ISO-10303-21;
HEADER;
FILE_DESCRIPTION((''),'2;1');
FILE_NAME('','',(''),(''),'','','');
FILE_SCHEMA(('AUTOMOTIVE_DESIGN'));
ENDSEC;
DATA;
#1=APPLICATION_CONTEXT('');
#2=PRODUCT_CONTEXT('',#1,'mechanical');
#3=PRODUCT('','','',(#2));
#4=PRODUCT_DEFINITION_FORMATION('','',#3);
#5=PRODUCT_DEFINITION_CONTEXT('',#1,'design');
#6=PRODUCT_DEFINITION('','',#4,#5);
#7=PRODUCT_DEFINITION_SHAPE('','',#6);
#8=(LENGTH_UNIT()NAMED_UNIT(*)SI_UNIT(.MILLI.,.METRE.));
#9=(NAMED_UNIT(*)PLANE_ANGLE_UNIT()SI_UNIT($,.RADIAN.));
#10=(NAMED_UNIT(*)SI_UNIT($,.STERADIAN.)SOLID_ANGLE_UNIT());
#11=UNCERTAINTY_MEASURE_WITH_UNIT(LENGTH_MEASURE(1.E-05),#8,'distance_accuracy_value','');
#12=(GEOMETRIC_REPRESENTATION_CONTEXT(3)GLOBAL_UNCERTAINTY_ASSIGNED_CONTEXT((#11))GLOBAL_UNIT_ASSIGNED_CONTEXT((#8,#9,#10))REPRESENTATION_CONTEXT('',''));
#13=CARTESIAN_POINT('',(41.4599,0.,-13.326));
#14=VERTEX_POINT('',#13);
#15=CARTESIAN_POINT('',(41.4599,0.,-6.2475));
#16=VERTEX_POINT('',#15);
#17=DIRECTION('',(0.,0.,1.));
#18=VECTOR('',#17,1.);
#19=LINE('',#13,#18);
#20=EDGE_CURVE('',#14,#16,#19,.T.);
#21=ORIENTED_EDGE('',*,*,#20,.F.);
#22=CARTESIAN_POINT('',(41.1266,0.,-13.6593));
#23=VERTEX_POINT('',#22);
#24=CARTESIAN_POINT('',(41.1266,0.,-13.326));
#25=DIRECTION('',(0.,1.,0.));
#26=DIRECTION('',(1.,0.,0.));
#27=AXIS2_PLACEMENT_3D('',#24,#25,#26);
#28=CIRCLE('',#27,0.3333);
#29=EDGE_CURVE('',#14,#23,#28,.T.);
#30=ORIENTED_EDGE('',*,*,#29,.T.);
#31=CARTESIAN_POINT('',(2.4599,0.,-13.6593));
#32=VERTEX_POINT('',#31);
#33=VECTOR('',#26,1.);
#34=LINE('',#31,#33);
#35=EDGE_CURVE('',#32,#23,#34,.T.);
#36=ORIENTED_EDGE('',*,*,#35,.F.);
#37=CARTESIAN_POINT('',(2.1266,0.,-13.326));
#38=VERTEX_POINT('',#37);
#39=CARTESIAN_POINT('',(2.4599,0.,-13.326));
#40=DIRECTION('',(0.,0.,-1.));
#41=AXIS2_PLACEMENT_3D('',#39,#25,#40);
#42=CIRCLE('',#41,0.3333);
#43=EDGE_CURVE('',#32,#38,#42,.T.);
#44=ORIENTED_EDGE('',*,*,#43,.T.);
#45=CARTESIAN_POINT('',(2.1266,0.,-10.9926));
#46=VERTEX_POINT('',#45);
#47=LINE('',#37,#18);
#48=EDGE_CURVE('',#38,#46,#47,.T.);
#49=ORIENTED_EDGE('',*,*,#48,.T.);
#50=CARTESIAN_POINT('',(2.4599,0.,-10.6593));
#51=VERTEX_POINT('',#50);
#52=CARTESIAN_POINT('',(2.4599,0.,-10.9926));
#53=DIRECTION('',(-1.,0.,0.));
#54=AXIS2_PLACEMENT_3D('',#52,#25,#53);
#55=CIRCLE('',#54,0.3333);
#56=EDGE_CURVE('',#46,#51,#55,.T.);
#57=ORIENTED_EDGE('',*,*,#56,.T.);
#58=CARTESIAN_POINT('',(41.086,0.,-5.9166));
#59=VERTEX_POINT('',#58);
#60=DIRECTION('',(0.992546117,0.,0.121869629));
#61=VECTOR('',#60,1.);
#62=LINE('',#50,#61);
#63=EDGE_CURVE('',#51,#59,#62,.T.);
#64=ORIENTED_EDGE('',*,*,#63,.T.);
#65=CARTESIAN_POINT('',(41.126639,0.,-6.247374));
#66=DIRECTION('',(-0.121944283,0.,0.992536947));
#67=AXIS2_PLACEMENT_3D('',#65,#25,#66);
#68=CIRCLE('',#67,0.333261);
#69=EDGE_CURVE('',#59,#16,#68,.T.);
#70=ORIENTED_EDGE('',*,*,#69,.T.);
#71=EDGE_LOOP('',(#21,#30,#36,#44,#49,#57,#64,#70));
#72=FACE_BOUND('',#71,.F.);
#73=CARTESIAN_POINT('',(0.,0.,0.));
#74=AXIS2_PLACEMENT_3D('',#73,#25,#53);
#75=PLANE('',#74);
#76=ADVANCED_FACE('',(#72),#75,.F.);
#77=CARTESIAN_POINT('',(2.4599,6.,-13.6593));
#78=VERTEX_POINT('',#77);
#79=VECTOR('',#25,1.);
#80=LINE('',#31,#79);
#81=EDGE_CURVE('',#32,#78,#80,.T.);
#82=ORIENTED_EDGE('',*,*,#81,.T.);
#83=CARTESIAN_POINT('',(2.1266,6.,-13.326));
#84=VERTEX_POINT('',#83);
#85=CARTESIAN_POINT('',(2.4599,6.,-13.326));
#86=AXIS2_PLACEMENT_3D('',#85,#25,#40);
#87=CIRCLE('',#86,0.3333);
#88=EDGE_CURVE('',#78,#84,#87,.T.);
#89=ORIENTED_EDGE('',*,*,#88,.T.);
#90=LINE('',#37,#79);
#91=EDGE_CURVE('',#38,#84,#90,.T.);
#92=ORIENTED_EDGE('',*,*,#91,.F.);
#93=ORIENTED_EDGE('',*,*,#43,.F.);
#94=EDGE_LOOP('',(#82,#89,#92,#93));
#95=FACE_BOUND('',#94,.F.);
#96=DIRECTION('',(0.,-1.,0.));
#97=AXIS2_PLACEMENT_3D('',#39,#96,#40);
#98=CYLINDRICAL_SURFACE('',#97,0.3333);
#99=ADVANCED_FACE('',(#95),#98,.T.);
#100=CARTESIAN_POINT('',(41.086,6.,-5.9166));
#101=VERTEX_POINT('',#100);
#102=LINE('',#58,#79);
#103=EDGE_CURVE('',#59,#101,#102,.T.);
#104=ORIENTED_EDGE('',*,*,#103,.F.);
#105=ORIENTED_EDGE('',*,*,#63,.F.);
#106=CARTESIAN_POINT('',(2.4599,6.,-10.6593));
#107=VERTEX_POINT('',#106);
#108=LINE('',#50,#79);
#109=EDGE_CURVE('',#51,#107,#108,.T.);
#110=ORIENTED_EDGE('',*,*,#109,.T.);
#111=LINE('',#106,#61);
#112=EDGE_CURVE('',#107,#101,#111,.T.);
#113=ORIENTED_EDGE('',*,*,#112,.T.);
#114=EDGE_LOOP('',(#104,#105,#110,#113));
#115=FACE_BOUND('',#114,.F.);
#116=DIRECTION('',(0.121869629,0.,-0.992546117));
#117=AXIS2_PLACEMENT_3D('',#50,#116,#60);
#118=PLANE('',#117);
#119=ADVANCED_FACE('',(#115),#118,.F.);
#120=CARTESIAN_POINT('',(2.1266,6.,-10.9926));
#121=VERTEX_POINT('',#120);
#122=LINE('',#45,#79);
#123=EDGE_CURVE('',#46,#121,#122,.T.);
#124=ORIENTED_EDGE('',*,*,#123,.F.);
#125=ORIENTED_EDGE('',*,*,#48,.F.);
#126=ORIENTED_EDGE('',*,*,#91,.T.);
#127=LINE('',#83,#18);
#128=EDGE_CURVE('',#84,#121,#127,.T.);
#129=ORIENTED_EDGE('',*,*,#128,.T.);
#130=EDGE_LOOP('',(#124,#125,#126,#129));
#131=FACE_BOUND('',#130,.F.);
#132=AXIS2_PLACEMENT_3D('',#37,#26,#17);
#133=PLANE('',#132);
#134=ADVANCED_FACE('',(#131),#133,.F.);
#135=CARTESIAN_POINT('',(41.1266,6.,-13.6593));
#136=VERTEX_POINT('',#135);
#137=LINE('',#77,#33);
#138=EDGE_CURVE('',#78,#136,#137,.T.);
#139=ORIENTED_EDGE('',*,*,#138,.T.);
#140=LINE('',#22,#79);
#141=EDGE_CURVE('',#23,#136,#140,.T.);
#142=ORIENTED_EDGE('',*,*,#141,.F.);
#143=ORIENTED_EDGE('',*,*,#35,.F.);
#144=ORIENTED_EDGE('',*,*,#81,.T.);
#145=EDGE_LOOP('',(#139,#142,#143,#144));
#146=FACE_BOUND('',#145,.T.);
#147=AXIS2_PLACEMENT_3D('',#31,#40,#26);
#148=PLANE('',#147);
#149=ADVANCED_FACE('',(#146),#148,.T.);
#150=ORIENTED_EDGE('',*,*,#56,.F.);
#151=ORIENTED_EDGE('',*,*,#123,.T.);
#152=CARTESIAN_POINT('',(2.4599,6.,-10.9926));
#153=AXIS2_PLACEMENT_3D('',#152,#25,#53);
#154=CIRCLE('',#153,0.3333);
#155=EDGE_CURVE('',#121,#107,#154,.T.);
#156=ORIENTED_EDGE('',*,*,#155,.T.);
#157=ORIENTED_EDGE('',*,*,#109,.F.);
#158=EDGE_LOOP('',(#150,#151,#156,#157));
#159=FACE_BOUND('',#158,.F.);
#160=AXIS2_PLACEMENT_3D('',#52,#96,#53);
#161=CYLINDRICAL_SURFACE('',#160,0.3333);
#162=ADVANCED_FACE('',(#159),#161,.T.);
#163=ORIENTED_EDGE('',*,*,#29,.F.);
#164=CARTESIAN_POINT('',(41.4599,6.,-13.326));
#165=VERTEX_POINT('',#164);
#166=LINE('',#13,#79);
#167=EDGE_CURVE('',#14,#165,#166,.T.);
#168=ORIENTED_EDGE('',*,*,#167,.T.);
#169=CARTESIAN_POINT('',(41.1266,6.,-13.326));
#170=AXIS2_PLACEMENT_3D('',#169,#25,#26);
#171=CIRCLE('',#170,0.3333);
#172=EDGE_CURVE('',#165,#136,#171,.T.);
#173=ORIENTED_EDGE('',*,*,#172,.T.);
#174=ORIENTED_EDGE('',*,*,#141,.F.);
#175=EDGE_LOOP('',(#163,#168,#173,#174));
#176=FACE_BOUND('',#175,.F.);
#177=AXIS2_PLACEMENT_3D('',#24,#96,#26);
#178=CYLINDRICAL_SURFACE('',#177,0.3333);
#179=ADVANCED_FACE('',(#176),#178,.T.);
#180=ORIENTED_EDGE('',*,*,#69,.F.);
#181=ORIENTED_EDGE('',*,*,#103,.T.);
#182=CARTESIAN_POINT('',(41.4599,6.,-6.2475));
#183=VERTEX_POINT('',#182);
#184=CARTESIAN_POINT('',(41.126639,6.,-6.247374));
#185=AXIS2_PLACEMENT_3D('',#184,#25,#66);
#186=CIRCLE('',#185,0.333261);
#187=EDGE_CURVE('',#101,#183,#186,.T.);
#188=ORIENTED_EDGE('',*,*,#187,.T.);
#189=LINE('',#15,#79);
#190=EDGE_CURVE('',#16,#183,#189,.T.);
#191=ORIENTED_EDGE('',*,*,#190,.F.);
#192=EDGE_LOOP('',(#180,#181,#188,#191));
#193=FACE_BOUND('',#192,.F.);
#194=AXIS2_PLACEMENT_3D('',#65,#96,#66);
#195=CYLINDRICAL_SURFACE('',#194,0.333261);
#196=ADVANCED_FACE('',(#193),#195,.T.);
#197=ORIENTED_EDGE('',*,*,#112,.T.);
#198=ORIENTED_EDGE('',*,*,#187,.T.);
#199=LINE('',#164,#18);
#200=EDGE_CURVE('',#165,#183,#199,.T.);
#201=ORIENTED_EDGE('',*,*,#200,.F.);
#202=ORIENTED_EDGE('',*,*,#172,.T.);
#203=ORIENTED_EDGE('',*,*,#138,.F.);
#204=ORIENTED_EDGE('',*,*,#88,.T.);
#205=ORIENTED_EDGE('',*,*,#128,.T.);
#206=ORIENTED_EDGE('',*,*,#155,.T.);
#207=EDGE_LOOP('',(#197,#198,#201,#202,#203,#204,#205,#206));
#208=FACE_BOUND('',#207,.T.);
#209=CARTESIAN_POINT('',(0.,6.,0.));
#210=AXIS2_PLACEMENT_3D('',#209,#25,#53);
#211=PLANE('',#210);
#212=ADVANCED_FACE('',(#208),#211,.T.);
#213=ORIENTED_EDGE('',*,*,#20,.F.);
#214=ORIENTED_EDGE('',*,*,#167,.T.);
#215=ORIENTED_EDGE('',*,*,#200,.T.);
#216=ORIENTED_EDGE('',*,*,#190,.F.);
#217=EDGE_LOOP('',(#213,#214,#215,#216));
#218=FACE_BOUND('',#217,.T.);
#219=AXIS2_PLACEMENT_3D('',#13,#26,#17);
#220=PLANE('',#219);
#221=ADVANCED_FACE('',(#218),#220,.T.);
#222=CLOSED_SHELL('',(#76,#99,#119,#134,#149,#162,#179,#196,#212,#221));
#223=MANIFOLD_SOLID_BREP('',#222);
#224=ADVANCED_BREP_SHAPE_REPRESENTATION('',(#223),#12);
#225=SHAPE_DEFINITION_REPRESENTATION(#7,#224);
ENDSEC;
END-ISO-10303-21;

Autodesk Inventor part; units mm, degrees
ref_plane "YZ Plane" through (0, 0, 0) normal (1, 0, 0) x (0, 1, 0)
ref_plane "XZ Plane" through (0, 0, 0) normal (0, 1, 0) x (-1, 0, 0)
ref_plane "XY Plane" through (0, 0, 0) normal (0, 0, 1) x (1, 0, 0)
sketch "Sketch1" plane through (0, 0, 0) normal (0, 1, 0) x (-1, 0, 0)
  line L0 (-2.4599, -13.6593) -> (-41.1266, -13.6593)
  arc A0 (-41.4599, -13.326) -> (-41.1266, -13.6593) centre (-41.1266, -13.326) ccw
  arc A1 (-2.4599, -13.6593) -> (-2.1266, -13.326) centre (-2.4599, -13.326) ccw
  line L1 (-2.1266, -13.326) -> (-2.1266, -10.9926)
  arc A2 (-2.1266, -10.9926) -> (-2.4599, -10.6593) centre (-2.4599, -10.9926) ccw
  line L2 (-2.4599, -10.6593) -> (-41.086, -5.9166)
  arc A3 (-41.086, -5.9166) -> (-41.4599, -6.2475) centre (-41.1266, -6.2475) ccw
  line L3 (-41.4599, -13.326) -> (-41.4599, -6.2475)
  point P0 (0, 0)
  dimension "d0" = 38.6667
  dimension "d1" = 0.6667
  dimension "d2" = 0.6667
  dimension "d4" = 0.6667
  dimension "d5" = 2.6667
  dimension "d6" = 7
  dimension "d7" = 0.6667
  dimension "d11" = 39.3333
extrude "Extrusion1" add sketch "Sketch1" along normal blind 6
properties part number "Wedge"
